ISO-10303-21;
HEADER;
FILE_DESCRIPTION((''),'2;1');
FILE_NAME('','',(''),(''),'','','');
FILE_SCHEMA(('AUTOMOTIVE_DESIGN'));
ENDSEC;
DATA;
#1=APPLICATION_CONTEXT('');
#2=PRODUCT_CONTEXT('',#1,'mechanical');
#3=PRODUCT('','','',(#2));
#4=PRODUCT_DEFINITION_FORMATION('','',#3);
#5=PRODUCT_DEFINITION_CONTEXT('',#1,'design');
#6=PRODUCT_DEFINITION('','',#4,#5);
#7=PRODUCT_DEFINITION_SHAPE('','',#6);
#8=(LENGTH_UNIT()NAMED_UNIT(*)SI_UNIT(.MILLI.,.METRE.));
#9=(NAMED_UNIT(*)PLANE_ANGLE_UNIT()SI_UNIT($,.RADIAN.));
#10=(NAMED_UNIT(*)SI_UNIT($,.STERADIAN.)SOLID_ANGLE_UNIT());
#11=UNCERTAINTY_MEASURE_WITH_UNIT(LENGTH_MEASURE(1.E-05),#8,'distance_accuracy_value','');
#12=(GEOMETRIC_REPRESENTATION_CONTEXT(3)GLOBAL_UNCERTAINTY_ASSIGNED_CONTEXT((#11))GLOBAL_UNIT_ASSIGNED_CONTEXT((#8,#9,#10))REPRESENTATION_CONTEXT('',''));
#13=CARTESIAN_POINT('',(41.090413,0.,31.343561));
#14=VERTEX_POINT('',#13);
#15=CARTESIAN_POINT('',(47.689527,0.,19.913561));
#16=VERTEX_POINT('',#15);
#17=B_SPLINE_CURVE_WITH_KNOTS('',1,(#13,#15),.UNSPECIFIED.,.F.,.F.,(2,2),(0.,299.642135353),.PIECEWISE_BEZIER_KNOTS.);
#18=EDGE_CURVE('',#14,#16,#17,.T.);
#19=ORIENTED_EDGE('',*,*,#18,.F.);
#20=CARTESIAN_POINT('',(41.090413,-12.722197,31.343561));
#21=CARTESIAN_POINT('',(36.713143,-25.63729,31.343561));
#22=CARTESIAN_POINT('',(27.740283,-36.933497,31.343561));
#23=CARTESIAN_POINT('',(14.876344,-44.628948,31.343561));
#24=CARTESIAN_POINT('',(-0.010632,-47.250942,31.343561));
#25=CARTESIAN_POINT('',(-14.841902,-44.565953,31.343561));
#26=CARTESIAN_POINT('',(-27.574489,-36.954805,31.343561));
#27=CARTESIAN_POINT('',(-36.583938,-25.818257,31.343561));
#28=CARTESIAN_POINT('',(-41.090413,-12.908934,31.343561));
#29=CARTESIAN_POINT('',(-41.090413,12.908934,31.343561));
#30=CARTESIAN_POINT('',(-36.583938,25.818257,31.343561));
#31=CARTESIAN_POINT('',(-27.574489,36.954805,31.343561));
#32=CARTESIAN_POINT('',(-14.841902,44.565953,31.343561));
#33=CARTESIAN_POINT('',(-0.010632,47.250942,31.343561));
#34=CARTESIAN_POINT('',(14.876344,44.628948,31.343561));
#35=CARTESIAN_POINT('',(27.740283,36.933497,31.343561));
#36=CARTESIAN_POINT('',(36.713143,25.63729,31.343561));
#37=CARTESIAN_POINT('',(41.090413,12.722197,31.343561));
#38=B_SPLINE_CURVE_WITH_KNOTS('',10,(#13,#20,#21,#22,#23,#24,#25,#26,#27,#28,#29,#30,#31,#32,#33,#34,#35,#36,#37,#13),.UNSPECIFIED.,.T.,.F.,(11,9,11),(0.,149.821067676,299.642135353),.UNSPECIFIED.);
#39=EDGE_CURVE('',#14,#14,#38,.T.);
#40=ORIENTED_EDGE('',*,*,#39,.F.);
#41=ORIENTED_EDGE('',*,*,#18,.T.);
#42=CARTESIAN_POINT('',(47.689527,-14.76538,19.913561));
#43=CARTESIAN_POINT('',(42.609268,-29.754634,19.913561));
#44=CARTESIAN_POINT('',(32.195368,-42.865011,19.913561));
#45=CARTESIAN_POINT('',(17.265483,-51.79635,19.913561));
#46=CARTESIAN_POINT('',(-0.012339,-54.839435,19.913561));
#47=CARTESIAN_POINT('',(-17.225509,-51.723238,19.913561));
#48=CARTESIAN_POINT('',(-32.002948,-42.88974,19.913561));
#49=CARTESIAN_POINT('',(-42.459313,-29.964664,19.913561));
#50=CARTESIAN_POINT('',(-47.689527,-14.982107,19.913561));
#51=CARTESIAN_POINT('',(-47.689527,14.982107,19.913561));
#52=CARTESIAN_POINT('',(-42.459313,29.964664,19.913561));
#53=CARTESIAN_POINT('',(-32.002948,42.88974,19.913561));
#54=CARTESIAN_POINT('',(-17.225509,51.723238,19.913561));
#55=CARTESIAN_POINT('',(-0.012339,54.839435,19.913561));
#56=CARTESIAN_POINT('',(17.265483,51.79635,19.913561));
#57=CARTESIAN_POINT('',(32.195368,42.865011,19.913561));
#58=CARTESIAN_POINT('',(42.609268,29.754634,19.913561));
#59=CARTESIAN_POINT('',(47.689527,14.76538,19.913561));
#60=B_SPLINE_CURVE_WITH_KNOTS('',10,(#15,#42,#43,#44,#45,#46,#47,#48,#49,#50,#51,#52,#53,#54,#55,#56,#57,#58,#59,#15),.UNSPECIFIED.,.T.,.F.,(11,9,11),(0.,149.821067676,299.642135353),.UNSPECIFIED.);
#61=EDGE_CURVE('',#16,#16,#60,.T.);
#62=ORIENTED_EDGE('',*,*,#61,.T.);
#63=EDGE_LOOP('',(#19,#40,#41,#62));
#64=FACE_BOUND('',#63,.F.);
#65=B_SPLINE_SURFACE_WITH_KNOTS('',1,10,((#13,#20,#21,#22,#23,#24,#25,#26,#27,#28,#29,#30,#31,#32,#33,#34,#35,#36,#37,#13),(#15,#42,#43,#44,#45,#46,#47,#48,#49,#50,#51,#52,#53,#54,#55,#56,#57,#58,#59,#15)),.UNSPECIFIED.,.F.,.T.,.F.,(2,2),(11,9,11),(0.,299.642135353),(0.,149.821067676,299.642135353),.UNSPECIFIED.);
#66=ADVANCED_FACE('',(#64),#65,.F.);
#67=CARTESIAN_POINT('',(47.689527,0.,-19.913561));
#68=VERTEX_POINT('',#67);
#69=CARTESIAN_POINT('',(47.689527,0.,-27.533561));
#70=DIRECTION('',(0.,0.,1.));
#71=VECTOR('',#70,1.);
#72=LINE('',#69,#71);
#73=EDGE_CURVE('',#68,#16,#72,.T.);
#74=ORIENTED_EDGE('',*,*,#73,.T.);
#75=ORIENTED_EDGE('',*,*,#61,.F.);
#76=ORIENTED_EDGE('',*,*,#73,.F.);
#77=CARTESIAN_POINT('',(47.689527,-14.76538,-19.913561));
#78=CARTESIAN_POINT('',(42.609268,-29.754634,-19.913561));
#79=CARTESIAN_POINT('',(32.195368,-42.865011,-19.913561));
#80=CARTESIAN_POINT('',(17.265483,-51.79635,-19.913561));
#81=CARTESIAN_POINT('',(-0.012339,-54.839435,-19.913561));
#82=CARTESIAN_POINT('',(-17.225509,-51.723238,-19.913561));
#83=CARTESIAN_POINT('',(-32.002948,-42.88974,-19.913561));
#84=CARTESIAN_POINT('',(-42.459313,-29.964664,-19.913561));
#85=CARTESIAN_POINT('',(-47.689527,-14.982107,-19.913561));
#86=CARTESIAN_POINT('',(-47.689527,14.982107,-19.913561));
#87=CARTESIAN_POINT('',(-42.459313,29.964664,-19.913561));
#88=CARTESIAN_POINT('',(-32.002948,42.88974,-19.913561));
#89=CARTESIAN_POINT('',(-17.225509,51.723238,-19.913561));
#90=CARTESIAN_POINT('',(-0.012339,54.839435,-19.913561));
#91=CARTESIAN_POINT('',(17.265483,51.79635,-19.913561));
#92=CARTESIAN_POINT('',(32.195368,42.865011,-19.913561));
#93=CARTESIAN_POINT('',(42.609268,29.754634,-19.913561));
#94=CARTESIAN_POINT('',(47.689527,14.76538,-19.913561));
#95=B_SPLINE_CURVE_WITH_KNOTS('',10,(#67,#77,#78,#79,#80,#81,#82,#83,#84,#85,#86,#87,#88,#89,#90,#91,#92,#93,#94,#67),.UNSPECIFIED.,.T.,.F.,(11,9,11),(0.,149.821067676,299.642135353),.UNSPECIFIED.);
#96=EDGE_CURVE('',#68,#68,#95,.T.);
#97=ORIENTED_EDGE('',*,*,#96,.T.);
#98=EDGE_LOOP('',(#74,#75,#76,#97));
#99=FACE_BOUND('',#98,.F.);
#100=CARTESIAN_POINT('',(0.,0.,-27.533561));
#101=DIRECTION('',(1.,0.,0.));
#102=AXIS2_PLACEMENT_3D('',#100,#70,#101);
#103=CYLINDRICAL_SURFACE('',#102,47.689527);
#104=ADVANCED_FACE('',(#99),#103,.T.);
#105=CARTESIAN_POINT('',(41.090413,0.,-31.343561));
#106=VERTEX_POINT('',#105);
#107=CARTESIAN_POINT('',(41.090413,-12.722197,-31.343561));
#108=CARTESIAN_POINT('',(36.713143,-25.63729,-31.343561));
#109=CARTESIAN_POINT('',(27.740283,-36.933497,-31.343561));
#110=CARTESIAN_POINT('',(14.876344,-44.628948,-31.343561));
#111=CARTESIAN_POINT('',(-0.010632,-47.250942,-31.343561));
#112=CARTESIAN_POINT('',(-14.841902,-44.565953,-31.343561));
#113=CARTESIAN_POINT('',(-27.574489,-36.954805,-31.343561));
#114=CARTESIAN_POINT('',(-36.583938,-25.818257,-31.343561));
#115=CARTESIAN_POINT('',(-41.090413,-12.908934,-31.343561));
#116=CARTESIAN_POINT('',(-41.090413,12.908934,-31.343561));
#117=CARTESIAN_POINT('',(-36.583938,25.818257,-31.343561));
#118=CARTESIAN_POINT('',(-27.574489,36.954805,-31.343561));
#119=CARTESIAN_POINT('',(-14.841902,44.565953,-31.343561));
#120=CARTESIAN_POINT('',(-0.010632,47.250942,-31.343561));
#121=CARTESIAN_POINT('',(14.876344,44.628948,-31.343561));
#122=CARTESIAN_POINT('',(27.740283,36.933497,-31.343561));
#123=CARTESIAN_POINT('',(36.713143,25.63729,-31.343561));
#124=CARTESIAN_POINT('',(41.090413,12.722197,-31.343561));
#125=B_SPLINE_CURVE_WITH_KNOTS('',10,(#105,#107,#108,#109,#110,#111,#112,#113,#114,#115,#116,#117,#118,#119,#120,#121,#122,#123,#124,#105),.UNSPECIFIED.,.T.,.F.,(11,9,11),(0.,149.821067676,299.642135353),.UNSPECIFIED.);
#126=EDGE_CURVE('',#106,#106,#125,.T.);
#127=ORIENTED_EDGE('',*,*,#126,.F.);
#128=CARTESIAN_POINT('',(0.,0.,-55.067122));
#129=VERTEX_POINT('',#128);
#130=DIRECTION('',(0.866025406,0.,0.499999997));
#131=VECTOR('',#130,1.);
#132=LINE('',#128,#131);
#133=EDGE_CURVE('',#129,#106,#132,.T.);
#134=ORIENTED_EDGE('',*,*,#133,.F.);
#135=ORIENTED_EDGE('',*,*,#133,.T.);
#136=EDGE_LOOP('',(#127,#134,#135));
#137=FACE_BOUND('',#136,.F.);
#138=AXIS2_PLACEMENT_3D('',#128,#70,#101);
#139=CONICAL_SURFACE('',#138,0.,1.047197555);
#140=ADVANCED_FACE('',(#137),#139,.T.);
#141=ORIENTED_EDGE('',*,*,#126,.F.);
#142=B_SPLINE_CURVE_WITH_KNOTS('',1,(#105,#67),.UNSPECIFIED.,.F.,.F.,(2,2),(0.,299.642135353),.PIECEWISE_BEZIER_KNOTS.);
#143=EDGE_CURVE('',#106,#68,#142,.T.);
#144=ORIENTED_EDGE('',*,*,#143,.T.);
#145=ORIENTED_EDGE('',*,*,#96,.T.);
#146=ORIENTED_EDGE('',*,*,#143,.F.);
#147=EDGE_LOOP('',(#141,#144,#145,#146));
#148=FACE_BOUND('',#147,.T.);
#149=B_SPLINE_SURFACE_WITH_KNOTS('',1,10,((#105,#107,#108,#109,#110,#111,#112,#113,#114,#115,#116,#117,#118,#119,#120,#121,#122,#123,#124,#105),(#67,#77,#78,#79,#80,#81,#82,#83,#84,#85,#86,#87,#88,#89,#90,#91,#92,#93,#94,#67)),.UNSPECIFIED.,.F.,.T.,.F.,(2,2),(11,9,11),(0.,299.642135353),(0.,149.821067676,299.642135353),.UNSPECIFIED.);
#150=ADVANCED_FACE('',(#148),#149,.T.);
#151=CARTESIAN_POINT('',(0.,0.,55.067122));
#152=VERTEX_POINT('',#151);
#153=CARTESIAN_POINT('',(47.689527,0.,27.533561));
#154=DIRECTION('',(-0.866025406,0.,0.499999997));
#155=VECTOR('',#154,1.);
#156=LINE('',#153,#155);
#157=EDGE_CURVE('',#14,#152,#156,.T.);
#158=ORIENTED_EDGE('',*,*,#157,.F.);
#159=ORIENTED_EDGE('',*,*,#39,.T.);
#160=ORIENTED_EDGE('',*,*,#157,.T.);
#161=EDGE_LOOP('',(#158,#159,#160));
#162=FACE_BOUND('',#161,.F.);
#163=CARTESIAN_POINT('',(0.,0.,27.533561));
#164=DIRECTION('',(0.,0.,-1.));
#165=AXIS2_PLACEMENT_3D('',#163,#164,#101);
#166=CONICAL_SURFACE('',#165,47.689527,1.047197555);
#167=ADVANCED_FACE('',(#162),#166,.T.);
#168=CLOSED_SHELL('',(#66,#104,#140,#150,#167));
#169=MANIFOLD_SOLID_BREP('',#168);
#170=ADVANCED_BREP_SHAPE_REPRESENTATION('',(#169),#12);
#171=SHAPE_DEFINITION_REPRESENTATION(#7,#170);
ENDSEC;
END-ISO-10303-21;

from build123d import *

# Parameters (mm, degrees)
F2_SIZE = 7.62


with BuildPart() as f1:
    # F0 (on Front) → F1 (revolve)
    with BuildSketch(Plane.XZ):
        Polygon((47.689527, 27.533561), (0, 55.067122), (0, -55.067122), (47.689527, -27.533561), align=None)
    revolve(axis=Axis((0, 0, 0), (0, 0, -1)))

    # F2
    f2_edges = [f1.edges().sort_by_distance(p)[0] for p in [
        (-47.689527, 0, 27.533561),
        (-47.689527, 0, -27.533561),
    ]]
    chamfer(f2_edges, length=F2_SIZE)


solid = f1.part
